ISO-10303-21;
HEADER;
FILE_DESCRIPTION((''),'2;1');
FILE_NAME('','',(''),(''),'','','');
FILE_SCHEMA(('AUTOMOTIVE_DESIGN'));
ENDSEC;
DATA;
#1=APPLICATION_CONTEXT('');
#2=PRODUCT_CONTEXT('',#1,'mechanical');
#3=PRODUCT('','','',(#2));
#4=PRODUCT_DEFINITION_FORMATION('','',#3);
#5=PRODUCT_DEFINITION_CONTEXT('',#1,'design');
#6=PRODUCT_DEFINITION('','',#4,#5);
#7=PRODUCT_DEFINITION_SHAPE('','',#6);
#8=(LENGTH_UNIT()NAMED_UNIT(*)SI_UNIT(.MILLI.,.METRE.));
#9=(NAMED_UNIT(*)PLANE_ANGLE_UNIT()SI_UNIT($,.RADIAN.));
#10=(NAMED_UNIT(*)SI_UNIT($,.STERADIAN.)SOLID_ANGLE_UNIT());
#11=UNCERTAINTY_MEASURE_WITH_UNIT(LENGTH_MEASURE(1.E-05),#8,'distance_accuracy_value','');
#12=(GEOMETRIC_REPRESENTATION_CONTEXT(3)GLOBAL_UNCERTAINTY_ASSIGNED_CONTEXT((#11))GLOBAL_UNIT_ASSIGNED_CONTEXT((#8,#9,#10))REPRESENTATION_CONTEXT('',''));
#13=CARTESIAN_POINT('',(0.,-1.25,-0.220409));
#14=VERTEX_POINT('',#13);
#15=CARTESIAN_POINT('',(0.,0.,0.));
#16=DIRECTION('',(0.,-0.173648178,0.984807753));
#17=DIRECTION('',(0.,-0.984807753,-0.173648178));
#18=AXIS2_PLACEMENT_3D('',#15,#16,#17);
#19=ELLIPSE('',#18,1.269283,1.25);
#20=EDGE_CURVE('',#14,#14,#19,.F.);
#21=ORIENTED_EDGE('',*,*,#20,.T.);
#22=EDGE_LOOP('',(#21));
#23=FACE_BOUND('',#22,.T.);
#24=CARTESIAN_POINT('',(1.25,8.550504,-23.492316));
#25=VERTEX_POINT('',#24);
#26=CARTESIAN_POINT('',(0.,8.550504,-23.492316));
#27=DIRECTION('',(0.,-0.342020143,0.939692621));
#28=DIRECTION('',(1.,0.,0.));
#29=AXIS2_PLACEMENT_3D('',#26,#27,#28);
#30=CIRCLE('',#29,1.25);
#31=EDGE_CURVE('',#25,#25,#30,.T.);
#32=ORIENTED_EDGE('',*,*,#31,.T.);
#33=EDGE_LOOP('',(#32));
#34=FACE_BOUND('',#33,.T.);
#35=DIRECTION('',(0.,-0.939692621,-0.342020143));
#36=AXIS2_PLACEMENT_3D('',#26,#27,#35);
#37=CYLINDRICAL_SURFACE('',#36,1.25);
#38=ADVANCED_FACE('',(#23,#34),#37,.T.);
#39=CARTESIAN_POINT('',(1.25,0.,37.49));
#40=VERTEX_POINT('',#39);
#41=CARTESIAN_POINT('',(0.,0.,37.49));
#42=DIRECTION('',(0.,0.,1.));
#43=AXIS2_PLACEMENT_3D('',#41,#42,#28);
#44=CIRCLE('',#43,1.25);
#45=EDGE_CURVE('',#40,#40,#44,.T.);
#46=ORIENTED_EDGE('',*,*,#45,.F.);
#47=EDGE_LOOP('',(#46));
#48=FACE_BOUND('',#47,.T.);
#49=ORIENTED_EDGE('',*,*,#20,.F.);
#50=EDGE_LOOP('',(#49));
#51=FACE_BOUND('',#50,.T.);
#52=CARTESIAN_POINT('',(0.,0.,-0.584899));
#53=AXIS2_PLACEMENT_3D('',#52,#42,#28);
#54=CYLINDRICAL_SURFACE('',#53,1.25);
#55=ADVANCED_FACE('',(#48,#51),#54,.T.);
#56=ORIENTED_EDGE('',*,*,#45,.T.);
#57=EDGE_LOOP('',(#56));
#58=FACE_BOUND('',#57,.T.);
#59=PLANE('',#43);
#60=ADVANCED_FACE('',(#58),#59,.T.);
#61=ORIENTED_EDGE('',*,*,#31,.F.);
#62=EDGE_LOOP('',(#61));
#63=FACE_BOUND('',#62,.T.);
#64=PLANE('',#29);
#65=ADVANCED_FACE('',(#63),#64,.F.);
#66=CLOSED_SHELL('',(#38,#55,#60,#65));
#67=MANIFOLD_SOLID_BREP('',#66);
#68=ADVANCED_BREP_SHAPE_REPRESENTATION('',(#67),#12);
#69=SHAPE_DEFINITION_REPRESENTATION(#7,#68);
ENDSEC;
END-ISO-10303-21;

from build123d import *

# Parameters (mm, degrees)
SKETCH2_R = 1.25


with BuildPart() as part:
    # Sweep1: sweep along a path in Sketch1
    with BuildLine(Plane(origin=(0, 0, 0), x_dir=(0, 0, -1), z_dir=(1, 0, 0))) as sweep1_path:
        Line((-37.49, 0), (0, 0))
        Line((0, 0), (23.49231552, 8.550503583))
    # Sketch2 → Sweep1 (sweep)
    with BuildSketch(Plane.XY):
        Circle(SKETCH2_R)
    sweep(path=sweep1_path.line, transition=Transition.RIGHT)


solid = part.part
